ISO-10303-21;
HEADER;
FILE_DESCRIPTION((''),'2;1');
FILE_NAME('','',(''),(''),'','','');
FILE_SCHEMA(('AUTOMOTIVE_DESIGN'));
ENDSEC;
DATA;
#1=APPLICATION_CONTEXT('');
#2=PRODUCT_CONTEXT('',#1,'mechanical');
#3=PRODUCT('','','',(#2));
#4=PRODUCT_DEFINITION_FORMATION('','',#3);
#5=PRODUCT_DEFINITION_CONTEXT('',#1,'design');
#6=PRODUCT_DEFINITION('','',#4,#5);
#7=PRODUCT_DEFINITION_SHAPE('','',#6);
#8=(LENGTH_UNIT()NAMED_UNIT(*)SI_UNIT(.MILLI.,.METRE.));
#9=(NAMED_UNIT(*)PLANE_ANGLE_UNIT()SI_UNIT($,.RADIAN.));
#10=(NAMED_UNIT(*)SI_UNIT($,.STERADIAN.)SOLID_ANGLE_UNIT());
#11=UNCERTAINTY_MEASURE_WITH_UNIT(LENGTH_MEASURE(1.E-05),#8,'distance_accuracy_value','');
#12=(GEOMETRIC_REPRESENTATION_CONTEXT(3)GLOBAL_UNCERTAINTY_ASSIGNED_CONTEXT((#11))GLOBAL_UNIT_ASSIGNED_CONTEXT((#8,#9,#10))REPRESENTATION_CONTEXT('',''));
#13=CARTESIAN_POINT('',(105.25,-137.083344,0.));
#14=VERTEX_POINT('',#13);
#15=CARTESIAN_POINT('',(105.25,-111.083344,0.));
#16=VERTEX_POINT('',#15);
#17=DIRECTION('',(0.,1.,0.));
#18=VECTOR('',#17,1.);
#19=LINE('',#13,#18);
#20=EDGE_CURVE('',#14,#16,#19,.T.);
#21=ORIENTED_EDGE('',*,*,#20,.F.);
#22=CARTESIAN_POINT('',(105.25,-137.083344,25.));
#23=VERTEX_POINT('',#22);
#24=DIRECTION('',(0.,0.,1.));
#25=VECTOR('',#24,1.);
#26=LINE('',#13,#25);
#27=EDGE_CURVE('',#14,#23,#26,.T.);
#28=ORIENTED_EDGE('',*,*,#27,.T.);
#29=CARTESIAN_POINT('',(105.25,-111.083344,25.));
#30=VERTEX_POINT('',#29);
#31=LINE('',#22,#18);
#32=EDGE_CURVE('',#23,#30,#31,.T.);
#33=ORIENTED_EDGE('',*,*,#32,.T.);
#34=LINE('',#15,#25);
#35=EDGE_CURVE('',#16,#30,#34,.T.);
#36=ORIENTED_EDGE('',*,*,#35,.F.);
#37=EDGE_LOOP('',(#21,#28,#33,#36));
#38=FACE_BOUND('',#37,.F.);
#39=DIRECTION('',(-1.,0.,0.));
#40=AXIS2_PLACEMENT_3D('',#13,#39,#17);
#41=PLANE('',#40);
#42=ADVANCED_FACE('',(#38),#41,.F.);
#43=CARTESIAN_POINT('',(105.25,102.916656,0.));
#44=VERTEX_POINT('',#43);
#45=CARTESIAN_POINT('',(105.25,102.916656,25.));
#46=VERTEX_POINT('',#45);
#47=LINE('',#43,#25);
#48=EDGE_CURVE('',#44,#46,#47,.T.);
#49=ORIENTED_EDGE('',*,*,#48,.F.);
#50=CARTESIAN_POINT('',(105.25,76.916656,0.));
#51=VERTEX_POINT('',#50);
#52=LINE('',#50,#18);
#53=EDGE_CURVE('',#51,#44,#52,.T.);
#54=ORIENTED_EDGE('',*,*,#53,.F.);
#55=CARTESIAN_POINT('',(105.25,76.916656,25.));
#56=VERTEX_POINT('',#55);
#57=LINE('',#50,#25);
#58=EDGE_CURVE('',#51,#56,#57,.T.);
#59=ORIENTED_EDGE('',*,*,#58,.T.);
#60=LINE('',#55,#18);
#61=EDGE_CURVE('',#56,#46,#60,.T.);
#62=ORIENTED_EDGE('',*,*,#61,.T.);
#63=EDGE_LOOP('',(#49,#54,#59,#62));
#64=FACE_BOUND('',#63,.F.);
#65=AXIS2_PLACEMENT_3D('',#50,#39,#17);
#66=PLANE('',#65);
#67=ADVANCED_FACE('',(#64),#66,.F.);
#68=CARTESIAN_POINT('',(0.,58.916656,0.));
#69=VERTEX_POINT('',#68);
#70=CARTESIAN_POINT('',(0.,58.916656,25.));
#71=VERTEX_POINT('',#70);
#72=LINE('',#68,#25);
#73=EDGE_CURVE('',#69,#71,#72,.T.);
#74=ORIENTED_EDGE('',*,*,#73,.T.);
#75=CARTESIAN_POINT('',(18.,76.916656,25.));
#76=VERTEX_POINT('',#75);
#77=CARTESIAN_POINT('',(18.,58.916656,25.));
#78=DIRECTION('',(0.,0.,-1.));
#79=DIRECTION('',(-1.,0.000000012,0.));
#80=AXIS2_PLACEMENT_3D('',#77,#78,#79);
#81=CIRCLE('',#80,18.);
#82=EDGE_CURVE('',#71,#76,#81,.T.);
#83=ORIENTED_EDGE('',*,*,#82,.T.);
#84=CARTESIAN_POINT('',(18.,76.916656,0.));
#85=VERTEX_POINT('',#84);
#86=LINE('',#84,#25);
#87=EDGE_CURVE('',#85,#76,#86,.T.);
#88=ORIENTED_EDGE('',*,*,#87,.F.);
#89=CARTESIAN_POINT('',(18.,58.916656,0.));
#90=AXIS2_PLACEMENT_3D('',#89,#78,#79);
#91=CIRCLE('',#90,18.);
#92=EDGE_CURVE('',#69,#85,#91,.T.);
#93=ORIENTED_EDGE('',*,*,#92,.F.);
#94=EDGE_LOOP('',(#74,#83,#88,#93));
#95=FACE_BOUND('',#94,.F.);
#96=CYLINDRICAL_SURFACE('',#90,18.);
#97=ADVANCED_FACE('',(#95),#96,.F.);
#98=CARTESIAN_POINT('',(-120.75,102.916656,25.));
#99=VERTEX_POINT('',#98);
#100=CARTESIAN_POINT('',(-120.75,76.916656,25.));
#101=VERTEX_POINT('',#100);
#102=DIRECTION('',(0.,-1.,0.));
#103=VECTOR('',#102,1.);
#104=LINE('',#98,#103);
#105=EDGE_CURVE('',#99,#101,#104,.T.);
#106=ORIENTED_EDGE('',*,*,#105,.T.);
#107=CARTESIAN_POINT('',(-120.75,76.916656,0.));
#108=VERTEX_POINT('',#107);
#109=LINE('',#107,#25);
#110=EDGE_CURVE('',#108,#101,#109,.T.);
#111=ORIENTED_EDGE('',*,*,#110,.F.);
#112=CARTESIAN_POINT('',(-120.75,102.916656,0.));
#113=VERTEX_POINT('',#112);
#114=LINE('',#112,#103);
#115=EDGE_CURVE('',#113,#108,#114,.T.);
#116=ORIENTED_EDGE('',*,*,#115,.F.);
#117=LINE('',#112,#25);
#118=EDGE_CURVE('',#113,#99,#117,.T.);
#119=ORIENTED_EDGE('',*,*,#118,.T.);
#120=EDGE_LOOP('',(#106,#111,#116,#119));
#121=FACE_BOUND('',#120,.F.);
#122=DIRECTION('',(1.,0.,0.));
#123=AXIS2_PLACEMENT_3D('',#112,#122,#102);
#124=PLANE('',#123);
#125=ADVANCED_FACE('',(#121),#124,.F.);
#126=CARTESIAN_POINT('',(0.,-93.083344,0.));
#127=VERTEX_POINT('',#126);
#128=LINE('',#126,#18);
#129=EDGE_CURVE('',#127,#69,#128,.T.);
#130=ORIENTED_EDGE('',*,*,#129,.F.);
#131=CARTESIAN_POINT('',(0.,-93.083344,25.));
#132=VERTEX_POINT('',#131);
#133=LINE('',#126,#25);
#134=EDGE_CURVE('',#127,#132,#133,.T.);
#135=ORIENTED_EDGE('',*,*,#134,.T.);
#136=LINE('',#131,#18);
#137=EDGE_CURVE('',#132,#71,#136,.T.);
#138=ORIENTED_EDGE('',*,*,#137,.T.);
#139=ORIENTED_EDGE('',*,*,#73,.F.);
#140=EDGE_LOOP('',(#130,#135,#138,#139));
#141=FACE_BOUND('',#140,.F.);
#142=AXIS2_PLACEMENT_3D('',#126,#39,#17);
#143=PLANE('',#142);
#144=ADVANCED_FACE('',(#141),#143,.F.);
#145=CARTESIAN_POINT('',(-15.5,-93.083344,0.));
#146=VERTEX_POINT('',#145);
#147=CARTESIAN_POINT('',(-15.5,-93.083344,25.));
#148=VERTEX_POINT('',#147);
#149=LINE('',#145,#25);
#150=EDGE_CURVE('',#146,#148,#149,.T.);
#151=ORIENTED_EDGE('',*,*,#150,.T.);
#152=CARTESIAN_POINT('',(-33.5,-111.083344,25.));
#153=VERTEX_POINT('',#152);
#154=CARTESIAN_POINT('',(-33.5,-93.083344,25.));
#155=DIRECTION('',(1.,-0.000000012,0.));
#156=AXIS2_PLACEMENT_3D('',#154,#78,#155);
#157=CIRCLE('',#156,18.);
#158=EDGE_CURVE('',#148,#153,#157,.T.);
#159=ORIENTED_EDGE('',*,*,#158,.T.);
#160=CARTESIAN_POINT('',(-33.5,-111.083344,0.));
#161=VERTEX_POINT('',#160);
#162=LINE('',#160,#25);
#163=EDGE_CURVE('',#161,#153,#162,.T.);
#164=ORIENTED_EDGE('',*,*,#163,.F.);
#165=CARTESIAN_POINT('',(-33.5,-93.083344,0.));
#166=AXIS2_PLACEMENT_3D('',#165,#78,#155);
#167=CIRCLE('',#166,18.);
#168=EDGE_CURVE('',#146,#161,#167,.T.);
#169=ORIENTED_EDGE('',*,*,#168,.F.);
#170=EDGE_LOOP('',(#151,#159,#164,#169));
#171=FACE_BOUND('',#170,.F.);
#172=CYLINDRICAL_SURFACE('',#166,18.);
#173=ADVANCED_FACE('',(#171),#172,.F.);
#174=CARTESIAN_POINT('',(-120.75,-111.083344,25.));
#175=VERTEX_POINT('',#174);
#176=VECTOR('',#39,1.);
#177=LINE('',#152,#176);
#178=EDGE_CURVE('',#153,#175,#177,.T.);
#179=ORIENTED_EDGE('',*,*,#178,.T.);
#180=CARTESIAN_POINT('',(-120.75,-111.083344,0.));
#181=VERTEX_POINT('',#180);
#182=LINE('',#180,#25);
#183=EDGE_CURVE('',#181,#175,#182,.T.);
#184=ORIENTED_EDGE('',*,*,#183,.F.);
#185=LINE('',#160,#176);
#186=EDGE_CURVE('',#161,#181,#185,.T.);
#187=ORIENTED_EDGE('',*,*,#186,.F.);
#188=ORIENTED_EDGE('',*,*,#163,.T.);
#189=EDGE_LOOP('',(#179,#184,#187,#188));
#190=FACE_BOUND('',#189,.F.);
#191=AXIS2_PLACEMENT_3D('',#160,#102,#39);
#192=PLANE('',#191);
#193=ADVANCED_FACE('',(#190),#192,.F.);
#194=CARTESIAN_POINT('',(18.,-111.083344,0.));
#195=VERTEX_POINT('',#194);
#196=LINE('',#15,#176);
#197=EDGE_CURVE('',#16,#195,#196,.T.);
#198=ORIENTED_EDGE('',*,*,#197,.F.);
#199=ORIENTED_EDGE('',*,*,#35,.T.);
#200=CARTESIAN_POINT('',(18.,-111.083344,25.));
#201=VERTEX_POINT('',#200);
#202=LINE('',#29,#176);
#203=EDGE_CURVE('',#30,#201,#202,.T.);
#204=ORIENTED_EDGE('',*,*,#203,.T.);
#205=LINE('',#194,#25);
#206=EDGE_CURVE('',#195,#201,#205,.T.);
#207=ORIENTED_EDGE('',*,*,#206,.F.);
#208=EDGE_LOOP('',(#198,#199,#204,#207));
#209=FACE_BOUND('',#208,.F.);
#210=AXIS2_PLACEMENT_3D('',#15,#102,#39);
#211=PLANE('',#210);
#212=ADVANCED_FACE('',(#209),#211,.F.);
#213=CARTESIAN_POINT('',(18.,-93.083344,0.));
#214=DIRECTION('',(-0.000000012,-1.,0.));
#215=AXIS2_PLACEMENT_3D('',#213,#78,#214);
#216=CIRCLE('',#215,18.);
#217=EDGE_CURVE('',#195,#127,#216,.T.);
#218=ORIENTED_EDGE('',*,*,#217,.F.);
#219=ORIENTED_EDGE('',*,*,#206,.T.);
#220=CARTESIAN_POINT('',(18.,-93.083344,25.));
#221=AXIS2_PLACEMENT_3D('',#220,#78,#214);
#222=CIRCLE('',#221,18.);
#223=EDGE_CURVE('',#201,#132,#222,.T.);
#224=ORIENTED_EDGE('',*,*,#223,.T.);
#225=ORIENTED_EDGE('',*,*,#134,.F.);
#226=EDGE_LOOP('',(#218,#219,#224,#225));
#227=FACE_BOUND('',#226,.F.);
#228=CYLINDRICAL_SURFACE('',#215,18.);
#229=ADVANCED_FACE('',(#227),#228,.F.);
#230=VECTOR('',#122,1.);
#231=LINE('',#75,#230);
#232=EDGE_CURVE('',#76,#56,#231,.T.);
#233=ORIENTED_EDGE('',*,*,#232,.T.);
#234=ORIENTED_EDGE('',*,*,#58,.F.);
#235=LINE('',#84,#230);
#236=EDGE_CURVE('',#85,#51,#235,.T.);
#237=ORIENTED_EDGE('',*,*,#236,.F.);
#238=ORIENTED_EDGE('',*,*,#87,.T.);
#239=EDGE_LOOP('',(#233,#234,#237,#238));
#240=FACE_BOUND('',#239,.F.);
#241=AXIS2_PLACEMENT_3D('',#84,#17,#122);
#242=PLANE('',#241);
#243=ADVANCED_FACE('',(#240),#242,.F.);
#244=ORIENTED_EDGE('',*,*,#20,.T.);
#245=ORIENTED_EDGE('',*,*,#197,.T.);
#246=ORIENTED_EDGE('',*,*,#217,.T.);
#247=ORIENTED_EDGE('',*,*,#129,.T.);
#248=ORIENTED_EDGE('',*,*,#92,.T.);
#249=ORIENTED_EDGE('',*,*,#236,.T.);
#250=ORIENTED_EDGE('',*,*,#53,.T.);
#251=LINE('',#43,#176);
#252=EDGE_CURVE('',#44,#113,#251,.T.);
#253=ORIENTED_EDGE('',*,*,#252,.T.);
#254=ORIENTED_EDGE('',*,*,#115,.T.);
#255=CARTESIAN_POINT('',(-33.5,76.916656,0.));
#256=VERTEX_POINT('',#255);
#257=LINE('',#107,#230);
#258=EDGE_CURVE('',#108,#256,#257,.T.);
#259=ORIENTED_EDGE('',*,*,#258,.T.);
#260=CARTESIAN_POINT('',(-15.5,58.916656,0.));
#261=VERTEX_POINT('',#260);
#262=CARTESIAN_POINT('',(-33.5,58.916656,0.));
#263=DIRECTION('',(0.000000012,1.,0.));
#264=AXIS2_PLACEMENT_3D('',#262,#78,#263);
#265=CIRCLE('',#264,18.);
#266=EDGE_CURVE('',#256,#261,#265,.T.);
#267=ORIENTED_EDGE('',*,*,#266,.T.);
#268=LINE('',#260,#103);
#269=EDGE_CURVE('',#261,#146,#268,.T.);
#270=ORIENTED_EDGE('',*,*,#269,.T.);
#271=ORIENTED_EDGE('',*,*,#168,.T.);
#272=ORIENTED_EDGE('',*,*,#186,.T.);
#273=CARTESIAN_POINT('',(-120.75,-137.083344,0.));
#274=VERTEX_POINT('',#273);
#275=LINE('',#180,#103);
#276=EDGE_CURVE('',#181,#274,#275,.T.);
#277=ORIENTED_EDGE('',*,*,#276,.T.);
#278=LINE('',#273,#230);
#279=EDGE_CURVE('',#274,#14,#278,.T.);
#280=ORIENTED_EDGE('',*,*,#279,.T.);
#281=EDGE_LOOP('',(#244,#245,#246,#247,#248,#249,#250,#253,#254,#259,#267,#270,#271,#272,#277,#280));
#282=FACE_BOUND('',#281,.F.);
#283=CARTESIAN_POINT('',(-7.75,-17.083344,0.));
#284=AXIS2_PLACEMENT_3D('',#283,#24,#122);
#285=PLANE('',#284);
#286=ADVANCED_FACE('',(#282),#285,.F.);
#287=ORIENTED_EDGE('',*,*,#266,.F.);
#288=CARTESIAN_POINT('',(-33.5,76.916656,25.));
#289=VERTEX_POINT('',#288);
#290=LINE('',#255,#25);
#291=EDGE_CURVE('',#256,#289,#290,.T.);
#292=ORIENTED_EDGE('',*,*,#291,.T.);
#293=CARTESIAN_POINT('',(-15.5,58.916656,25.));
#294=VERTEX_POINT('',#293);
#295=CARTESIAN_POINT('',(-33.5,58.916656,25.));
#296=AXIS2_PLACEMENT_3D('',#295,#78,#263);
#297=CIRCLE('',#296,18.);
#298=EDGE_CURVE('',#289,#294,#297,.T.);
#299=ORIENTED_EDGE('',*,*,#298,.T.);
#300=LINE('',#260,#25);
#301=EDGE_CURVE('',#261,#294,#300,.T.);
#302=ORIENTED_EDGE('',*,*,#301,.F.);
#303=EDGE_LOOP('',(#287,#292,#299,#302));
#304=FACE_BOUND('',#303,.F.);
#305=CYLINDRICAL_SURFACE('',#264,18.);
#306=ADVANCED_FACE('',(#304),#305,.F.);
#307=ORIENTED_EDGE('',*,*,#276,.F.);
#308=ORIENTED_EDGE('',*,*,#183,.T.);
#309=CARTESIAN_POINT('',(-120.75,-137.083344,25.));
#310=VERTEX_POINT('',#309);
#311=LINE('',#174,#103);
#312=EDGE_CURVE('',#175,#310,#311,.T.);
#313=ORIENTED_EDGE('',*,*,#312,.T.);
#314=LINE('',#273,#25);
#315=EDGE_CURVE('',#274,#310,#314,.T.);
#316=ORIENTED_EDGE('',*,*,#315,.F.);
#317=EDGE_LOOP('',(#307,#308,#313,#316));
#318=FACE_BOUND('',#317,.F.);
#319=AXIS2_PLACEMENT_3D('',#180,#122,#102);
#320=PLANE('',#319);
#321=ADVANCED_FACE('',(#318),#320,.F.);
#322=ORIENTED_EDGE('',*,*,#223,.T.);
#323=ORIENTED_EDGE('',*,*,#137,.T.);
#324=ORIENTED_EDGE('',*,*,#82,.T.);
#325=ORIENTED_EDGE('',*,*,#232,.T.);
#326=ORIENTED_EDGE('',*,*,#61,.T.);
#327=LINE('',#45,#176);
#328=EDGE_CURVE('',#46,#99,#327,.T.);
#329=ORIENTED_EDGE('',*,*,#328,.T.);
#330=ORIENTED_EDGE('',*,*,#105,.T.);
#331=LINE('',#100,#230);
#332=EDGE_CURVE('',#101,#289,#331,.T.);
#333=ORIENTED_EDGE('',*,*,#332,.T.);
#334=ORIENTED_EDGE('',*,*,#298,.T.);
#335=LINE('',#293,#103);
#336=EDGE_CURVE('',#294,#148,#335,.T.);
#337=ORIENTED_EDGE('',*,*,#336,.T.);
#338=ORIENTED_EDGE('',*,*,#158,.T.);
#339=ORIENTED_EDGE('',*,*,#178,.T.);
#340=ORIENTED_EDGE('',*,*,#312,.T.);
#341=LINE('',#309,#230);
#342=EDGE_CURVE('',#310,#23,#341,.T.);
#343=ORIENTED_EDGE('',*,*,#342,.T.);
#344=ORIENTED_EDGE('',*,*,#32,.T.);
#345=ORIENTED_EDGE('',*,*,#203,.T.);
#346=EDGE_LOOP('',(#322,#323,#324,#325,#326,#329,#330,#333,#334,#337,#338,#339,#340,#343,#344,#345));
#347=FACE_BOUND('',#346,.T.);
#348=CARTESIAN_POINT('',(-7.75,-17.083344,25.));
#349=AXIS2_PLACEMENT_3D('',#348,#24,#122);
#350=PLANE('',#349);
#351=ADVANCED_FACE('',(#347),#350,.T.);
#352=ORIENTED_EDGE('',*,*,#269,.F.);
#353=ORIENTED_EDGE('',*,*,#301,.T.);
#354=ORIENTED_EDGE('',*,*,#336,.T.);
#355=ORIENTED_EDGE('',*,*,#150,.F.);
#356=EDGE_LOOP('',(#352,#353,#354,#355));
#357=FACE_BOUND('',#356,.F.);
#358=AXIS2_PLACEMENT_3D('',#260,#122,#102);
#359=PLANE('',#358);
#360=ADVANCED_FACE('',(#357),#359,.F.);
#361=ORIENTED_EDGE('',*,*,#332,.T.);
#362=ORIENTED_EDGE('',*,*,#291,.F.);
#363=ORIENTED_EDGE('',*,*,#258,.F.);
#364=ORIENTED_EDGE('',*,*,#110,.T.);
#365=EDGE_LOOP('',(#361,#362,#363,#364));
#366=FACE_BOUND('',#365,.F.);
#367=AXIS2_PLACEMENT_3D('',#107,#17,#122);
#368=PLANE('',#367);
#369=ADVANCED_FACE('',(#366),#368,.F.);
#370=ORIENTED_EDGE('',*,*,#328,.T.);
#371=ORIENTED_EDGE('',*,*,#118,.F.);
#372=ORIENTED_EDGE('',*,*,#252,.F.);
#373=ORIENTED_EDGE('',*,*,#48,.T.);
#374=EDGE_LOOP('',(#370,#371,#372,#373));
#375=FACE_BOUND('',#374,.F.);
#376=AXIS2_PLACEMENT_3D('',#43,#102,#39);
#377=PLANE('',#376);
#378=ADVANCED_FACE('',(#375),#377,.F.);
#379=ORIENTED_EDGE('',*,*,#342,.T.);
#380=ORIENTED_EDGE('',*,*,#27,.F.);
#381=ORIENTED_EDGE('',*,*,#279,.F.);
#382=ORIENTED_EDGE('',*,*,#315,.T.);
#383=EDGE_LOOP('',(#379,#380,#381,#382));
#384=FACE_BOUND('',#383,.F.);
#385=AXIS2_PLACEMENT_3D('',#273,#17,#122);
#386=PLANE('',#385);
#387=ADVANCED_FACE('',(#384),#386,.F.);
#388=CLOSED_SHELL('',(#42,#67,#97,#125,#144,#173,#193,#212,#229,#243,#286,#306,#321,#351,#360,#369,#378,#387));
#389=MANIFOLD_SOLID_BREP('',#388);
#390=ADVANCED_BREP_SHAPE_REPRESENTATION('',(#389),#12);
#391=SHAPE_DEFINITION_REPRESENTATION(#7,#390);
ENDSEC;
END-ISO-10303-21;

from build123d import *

# Parameters (mm, degrees)
F1_DEPTH = 25


with BuildPart() as f1:
    # F0 (on Top) → F1 (new body)
    with BuildSketch(Plane.XY):
        with BuildLine():
            Line((105.25, 102.916656), (-120.75, 102.916656))
            Line((-120.75, 102.916656), (-120.75, 76.916656))
            Line((-120.75, 76.916656), (-33.5, 76.916656))
            ThreePointArc((-33.5, 76.916656), (-20.772078, 71.644578), (-15.5, 58.916656))
            Line((-15.5, 58.916656), (-15.5, -93.083344))
            ThreePointArc((-15.5, -93.083344), (-20.772078, -105.811266), (-33.5, -111.083344))
            Line((-33.5, -111.083344), (-120.75, -111.083344))
            Line((-120.75, -111.083344), (-120.75, -137.083344))
            Line((-120.75, -137.083344), (105.25, -137.083344))
            Line((105.25, -137.083344), (105.25, -111.083344))
            Line((105.25, -111.083344), (18, -111.083344))
            ThreePointArc((18, -111.083344), (5.272078, -105.811266), (0, -93.083344))
            Line((0, -93.083344), (0, 58.916656))
            ThreePointArc((0, 58.916656), (5.272078, 71.644578), (18, 76.916656))
            Line((18, 76.916656), (105.25, 76.916656))
            Line((105.25, 76.916656), (105.25, 102.916656))
        make_face()
    extrude(amount=F1_DEPTH)


solid = f1.part
